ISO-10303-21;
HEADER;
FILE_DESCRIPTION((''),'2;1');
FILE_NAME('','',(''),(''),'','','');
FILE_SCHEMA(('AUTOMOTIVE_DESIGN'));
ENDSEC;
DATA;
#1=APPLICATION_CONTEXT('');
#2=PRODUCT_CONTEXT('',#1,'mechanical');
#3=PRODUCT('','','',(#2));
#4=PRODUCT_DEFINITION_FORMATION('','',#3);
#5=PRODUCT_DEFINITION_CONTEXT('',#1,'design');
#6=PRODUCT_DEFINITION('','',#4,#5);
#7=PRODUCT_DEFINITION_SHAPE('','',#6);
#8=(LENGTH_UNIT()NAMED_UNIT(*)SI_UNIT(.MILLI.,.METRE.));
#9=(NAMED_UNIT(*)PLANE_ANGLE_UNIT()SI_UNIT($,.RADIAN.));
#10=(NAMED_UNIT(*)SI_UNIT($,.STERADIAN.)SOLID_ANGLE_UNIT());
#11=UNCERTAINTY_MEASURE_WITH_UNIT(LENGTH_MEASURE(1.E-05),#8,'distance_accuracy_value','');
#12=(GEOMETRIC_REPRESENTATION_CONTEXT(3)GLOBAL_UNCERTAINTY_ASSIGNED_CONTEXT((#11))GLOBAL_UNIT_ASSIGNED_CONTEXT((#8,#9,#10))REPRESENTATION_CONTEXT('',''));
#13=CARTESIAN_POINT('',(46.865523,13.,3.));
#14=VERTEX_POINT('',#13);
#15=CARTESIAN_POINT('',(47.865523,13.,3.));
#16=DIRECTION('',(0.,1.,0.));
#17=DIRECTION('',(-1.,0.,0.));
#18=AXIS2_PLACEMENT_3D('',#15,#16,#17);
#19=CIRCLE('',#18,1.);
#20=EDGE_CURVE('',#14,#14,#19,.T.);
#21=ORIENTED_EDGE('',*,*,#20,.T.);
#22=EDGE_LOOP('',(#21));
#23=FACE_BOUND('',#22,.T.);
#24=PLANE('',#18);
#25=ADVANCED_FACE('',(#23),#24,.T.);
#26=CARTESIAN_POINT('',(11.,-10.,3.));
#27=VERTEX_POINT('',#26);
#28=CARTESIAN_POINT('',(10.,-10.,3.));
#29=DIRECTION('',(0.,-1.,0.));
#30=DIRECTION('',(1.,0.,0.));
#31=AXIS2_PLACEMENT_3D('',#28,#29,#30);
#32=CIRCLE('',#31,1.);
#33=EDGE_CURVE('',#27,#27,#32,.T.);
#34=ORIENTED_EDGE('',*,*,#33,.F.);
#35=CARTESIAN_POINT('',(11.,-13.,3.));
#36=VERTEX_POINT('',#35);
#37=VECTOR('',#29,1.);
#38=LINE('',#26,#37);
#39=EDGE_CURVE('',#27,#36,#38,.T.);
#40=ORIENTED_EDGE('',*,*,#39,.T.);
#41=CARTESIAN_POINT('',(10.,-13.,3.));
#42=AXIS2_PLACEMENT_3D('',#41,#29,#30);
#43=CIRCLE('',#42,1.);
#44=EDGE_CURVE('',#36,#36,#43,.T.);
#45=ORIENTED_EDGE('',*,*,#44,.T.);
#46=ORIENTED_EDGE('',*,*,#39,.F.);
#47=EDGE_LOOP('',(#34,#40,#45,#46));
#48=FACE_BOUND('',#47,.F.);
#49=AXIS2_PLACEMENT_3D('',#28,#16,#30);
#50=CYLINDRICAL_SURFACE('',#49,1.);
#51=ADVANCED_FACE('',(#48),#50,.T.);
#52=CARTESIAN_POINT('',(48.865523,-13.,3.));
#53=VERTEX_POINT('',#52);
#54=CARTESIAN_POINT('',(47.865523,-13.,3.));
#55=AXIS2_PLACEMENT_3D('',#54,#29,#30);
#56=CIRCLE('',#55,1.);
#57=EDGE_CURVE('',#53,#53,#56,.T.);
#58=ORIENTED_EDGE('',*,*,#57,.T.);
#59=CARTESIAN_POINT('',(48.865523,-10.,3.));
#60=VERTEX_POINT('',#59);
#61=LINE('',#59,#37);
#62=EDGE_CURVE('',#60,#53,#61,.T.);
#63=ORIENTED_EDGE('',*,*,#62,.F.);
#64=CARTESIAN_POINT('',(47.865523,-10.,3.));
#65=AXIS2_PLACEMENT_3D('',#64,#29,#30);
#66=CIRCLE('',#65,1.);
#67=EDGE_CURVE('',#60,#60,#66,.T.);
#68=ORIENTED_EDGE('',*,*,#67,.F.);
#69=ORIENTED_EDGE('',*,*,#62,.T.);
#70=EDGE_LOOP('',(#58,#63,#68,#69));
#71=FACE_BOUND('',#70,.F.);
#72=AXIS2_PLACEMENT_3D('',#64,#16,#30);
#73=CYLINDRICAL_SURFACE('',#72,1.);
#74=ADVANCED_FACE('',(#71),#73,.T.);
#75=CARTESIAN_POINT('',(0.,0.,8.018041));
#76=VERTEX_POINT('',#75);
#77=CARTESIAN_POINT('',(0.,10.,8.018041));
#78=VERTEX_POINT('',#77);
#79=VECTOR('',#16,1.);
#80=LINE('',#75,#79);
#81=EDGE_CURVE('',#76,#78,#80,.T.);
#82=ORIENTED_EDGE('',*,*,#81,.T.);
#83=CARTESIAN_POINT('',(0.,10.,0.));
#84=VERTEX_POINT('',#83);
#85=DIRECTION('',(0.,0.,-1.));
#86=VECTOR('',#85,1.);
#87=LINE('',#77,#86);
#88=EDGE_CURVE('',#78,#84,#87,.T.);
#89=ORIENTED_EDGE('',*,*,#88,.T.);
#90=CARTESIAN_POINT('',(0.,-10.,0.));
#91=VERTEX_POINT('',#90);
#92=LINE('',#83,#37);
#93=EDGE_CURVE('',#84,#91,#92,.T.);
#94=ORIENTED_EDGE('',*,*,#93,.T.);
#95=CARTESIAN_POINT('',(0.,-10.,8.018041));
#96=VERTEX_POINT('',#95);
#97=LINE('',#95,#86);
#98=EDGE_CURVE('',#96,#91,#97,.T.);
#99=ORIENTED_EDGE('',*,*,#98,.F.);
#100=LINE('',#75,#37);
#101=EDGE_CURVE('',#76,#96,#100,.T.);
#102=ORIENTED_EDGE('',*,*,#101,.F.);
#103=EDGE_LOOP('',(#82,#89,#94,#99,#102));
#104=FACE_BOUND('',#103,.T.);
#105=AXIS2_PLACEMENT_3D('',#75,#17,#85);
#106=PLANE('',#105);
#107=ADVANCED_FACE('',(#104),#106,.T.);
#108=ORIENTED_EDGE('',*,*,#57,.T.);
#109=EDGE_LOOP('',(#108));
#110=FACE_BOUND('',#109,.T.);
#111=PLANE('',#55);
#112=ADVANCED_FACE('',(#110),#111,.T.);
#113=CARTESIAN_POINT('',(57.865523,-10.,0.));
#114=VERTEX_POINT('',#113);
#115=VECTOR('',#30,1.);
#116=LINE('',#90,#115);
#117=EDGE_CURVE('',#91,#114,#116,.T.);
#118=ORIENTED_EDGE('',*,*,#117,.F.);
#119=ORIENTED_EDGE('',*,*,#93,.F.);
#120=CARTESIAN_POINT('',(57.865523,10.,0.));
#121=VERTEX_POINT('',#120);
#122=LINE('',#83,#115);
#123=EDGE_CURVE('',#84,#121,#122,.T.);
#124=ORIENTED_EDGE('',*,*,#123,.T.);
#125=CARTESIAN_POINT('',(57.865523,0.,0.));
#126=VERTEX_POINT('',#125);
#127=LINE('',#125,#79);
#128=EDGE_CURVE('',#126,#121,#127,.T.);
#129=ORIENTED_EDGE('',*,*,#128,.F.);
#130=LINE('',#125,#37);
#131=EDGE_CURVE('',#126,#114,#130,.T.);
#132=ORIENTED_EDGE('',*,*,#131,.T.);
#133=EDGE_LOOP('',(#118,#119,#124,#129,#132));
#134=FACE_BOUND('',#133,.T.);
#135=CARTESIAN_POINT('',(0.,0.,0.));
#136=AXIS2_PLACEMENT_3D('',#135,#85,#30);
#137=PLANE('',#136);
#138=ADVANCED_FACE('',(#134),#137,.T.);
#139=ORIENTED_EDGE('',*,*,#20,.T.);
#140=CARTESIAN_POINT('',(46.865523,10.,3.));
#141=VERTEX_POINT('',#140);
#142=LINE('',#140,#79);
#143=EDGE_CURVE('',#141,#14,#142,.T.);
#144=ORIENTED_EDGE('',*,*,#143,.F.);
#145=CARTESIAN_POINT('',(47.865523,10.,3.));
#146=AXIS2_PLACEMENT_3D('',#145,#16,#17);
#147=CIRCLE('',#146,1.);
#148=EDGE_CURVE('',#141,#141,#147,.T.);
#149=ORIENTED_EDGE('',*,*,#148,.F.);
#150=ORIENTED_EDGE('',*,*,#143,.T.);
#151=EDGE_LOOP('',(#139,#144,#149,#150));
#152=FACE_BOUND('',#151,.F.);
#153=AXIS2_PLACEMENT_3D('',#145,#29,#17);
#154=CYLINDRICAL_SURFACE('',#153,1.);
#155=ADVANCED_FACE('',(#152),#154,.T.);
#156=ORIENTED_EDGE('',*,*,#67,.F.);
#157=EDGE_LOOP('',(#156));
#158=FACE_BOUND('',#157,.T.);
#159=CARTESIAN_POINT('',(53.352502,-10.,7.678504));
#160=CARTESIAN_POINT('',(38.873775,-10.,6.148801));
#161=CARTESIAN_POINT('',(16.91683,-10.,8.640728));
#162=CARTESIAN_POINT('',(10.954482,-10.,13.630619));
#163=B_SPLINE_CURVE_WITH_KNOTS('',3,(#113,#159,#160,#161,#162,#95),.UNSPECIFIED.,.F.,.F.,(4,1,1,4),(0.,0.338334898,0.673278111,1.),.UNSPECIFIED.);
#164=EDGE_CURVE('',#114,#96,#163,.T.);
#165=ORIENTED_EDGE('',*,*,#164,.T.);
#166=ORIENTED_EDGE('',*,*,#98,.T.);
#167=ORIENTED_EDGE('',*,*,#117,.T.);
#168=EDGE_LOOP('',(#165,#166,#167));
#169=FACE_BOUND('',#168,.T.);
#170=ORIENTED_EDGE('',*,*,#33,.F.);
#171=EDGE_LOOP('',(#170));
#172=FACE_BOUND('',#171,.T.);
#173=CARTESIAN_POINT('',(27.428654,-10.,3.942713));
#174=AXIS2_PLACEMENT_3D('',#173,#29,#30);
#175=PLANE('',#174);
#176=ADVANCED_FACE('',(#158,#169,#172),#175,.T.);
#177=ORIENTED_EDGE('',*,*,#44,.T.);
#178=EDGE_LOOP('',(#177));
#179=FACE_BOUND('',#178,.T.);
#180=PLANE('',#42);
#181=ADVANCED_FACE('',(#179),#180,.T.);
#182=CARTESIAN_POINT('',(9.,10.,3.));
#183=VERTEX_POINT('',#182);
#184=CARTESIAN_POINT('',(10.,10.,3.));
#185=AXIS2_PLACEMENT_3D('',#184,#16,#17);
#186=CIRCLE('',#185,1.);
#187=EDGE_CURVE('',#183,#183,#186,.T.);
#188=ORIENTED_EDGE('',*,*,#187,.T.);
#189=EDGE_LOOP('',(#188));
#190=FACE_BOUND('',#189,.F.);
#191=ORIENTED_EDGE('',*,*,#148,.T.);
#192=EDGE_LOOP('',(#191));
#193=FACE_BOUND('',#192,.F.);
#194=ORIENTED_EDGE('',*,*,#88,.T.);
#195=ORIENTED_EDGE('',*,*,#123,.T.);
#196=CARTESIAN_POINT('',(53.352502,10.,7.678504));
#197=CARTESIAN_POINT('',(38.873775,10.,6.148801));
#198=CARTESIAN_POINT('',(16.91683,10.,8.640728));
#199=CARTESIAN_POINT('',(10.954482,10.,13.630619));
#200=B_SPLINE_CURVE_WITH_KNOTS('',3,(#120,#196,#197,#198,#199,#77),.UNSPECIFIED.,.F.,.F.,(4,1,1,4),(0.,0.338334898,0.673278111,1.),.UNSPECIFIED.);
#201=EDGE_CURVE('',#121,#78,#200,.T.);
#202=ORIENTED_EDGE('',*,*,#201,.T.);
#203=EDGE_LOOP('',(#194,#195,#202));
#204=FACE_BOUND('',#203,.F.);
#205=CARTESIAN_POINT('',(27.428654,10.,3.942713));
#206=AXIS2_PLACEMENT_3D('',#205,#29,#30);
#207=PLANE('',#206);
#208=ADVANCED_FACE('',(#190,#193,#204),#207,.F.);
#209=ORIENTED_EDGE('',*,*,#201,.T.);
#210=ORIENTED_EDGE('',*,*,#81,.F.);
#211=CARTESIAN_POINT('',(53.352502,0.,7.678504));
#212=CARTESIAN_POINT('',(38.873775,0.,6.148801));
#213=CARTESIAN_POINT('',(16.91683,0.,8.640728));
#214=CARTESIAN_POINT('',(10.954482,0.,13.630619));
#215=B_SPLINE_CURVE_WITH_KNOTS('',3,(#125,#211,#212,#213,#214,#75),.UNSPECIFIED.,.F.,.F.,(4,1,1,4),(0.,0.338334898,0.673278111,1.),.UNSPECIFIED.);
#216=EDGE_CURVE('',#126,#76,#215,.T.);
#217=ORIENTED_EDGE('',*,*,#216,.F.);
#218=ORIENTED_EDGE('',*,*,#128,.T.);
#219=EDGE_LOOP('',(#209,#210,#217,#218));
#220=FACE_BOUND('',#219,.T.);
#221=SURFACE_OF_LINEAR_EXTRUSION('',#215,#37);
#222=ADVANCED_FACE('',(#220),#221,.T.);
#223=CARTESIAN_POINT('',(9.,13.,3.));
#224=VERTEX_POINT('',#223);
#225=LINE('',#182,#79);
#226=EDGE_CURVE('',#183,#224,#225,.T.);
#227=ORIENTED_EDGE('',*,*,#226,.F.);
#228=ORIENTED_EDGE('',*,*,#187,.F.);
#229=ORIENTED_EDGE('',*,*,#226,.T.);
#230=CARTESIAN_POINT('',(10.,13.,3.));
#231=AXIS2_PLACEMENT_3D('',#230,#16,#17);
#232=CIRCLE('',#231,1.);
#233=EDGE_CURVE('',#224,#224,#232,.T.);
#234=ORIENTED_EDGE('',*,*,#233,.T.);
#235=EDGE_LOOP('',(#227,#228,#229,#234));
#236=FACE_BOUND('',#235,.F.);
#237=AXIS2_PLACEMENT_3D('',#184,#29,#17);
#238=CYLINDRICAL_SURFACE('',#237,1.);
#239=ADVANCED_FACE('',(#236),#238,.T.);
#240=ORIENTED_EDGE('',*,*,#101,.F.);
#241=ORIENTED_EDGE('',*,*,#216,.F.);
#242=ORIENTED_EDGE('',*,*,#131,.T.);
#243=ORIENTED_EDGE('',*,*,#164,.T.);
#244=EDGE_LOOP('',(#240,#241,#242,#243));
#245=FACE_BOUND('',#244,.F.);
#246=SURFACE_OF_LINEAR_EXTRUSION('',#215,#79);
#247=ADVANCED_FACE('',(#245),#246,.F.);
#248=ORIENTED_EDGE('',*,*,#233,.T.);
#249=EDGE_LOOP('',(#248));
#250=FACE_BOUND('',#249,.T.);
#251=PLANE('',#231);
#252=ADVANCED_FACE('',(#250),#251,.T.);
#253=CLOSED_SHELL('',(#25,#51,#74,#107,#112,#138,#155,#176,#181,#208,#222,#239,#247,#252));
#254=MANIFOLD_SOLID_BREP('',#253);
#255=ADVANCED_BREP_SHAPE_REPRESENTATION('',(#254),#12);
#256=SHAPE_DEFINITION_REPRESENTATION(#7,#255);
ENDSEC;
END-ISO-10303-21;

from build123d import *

# Parameters (mm, degrees)
F1_DEPTH      = 10
F1_DEPTH_BACK = 10
F2_R          = 1
F3_DEPTH      = 3
F4_R          = 1
F5_DEPTH      = 3


with BuildPart() as f1:
    # F0 (on Front) → F1 (new body, two sides)
    with BuildSketch(Plane.XZ) as f1_sk:
        with BuildLine():
            Line((0, 8.0180410296), (0, 0))
            Line((0, 0), (57.8655228019, 0))
            add(Edge.make_bspline(
                [(57.8655228019, 0), (53.3525021995, 7.678503938), (38.8737749231, 6.1488013594), (16.9168304935, 8.6407277286), (10.9544817757, 13.6306187476), (0, 8.0180410296)],
                knots=[0, 0, 0, 0, 0.3383348981, 0.6732781108, 1, 1, 1, 1], degree=3))
        make_face()
    extrude(amount=F1_DEPTH)
    extrude(f1_sk.sketch, amount=-F1_DEPTH_BACK)

    # F2 (on face) → F3 (join)
    with BuildSketch(Plane.XZ.offset(10)):
        with Locations((10, 3)):
            Circle(F2_R)
        with Locations((47.8655228019, 3)):
            Circle(F2_R)
    extrude(amount=F3_DEPTH)

    # F4 (on face) → F5 (join)
    with BuildSketch(Plane(origin=(0, 10, 0), x_dir=(-1, 0, 0), z_dir=(0, 1, 0))):
        with Locations((-47.8655228019, 3)):
            Circle(F4_R)
        with Locations((-10, 3)):
            Circle(F4_R)
    extrude(amount=F5_DEPTH)


solid = f1.part
